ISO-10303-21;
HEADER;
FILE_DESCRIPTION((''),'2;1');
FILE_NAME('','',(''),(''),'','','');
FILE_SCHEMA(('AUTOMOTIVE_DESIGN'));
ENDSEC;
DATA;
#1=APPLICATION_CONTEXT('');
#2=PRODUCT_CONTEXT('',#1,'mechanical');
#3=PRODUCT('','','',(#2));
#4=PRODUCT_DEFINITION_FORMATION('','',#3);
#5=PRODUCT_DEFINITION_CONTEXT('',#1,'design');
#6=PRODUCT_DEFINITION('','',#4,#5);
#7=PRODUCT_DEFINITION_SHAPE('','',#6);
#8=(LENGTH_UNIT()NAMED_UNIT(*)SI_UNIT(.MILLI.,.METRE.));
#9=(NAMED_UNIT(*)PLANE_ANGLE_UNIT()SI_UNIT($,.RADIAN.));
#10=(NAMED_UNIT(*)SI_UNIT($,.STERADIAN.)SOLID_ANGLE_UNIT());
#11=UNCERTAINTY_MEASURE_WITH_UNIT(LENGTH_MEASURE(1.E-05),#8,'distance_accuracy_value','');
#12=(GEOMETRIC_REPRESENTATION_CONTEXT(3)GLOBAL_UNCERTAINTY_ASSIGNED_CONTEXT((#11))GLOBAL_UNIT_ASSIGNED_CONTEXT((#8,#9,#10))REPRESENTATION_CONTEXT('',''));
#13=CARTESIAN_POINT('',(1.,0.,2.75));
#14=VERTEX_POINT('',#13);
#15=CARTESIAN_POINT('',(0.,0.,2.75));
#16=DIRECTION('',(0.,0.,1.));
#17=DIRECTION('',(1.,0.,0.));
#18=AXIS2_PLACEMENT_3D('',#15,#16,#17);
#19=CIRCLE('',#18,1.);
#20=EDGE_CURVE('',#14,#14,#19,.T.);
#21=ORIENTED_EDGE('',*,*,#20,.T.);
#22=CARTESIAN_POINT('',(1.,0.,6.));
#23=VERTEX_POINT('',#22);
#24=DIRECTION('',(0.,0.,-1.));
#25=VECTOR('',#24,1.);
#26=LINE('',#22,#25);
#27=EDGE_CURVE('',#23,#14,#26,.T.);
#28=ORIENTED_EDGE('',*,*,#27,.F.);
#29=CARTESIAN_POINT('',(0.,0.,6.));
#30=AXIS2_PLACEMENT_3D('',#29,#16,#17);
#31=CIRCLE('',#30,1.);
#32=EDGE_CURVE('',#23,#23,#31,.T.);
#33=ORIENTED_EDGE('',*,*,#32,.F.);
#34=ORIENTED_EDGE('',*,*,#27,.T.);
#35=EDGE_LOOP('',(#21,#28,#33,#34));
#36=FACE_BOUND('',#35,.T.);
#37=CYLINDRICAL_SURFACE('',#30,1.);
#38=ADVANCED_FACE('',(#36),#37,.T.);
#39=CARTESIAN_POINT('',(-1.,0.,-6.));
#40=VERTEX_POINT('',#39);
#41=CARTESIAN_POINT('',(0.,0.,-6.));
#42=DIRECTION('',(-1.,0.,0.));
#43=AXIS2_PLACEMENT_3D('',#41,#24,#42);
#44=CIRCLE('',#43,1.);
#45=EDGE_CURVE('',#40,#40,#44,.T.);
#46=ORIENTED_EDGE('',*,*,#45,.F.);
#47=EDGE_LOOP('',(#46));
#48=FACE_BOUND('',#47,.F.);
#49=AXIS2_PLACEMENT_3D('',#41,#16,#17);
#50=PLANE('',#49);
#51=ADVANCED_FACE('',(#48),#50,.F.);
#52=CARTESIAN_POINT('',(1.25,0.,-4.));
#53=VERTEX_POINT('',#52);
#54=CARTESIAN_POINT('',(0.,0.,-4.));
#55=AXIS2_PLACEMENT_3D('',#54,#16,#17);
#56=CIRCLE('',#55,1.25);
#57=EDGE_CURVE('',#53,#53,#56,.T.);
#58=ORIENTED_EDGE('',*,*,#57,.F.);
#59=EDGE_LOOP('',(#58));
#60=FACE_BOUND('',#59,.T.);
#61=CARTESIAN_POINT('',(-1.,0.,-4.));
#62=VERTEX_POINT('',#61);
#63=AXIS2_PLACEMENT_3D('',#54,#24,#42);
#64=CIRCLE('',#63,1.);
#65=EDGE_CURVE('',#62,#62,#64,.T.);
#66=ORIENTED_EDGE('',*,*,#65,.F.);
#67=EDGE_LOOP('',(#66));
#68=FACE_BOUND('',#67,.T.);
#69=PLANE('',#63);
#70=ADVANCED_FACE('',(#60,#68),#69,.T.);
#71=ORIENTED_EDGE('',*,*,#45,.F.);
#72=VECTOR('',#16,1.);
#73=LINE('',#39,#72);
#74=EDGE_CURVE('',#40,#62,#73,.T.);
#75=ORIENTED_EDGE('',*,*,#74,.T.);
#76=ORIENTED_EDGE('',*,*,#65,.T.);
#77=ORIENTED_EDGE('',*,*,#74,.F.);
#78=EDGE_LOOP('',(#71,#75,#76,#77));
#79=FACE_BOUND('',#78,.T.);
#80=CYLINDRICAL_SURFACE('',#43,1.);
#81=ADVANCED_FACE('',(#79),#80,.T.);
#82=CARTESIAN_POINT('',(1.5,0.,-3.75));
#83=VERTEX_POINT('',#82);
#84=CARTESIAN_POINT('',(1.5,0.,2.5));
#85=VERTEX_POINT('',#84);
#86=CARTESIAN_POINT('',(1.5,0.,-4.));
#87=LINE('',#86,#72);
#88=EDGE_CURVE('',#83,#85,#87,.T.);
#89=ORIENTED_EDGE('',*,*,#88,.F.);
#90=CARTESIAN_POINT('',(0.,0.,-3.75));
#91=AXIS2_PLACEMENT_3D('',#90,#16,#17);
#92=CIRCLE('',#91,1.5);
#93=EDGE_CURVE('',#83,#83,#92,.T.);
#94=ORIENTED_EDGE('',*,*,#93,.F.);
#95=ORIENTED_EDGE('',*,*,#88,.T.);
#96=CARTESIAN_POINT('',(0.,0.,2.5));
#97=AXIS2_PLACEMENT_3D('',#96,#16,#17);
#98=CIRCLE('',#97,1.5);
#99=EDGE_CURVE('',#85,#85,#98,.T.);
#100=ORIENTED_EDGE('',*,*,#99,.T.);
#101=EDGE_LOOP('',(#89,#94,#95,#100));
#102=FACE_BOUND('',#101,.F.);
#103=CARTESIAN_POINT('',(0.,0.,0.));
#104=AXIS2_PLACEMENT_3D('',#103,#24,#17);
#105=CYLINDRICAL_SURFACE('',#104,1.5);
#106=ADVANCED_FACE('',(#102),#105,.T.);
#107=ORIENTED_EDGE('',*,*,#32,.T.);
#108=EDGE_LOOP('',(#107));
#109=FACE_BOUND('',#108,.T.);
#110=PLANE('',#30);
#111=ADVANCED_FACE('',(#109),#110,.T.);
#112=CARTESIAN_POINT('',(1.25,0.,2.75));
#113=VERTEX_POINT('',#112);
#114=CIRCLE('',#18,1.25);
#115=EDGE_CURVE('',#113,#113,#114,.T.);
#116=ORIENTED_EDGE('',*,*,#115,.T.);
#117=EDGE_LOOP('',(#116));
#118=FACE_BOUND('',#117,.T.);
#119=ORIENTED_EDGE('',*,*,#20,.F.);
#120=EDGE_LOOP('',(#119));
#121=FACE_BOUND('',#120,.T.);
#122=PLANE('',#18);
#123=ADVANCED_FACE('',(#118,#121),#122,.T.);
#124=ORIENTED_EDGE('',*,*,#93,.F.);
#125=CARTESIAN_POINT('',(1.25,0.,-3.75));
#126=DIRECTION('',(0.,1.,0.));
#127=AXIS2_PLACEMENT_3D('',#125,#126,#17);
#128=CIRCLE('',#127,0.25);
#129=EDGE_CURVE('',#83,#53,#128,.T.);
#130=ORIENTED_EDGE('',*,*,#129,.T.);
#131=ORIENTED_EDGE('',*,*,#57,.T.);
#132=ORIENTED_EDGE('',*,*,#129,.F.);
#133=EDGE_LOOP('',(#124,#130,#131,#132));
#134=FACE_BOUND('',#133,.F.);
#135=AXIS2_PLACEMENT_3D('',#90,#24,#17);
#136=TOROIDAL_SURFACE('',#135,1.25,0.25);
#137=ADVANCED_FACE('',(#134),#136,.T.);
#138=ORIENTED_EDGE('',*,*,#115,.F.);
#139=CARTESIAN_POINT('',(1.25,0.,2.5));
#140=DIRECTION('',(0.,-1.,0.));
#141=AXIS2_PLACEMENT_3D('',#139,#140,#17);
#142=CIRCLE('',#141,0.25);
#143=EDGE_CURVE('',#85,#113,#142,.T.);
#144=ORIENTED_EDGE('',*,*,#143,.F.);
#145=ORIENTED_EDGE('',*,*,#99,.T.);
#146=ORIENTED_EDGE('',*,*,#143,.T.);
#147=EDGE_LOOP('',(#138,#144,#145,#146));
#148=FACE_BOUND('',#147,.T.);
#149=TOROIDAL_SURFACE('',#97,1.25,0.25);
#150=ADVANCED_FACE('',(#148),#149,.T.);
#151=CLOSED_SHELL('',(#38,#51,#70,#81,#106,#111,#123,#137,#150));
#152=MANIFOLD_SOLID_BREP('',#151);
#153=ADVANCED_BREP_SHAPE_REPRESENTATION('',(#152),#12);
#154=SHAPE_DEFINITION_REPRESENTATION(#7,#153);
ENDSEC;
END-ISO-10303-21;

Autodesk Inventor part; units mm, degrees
sketch "Skizze1" plane through (0, 0, 0) normal (0, 0, 1) x (1, 0, 0)
  circle A0 centre (0, 0) radius 1.5
  dimension "d0" = 3
extrude "Extrusion1" add sketch "Skizze1" along normal mid plane 12
sketch "Skizze2" plane through (0, 0, 6) normal (0, 0, 1) x (1, 0, 0)
  circle A0 centre (0, 0) radius 1
  circle A1 centre (0, 0) radius 1.5 projected
  dimension "d3" = 2
extrude "Extrusion2" cut sketch "Skizze2" against normal blind 3.25
thread "Gewinde2" size "M2x0.4" class "6g" standard "ANSI Metric M Profile" full length
fillet "Rundung1" radius 0.25 1 edges at (-1.5, 0, 2.75)
sketch "Skizze3" plane through (0, 0, -6) normal (0, 0, -1) x (-1, 0, 0)
  circle A0 centre (0, 0) radius 1
  circle A1 centre (0, 0) radius 1.5 projected
  dimension "d11" = 2
extrude "Extrusion3" cut sketch "Skizze3" against normal blind 2
thread "Gewinde3" size "M2x0.4" class "6g" standard "ANSI Metric M Profile" full length
fillet "Rundung2" radius 0.25 1 edges at (-1.5, 0, -4)
properties part number "SchleppstangeBefestigung"
